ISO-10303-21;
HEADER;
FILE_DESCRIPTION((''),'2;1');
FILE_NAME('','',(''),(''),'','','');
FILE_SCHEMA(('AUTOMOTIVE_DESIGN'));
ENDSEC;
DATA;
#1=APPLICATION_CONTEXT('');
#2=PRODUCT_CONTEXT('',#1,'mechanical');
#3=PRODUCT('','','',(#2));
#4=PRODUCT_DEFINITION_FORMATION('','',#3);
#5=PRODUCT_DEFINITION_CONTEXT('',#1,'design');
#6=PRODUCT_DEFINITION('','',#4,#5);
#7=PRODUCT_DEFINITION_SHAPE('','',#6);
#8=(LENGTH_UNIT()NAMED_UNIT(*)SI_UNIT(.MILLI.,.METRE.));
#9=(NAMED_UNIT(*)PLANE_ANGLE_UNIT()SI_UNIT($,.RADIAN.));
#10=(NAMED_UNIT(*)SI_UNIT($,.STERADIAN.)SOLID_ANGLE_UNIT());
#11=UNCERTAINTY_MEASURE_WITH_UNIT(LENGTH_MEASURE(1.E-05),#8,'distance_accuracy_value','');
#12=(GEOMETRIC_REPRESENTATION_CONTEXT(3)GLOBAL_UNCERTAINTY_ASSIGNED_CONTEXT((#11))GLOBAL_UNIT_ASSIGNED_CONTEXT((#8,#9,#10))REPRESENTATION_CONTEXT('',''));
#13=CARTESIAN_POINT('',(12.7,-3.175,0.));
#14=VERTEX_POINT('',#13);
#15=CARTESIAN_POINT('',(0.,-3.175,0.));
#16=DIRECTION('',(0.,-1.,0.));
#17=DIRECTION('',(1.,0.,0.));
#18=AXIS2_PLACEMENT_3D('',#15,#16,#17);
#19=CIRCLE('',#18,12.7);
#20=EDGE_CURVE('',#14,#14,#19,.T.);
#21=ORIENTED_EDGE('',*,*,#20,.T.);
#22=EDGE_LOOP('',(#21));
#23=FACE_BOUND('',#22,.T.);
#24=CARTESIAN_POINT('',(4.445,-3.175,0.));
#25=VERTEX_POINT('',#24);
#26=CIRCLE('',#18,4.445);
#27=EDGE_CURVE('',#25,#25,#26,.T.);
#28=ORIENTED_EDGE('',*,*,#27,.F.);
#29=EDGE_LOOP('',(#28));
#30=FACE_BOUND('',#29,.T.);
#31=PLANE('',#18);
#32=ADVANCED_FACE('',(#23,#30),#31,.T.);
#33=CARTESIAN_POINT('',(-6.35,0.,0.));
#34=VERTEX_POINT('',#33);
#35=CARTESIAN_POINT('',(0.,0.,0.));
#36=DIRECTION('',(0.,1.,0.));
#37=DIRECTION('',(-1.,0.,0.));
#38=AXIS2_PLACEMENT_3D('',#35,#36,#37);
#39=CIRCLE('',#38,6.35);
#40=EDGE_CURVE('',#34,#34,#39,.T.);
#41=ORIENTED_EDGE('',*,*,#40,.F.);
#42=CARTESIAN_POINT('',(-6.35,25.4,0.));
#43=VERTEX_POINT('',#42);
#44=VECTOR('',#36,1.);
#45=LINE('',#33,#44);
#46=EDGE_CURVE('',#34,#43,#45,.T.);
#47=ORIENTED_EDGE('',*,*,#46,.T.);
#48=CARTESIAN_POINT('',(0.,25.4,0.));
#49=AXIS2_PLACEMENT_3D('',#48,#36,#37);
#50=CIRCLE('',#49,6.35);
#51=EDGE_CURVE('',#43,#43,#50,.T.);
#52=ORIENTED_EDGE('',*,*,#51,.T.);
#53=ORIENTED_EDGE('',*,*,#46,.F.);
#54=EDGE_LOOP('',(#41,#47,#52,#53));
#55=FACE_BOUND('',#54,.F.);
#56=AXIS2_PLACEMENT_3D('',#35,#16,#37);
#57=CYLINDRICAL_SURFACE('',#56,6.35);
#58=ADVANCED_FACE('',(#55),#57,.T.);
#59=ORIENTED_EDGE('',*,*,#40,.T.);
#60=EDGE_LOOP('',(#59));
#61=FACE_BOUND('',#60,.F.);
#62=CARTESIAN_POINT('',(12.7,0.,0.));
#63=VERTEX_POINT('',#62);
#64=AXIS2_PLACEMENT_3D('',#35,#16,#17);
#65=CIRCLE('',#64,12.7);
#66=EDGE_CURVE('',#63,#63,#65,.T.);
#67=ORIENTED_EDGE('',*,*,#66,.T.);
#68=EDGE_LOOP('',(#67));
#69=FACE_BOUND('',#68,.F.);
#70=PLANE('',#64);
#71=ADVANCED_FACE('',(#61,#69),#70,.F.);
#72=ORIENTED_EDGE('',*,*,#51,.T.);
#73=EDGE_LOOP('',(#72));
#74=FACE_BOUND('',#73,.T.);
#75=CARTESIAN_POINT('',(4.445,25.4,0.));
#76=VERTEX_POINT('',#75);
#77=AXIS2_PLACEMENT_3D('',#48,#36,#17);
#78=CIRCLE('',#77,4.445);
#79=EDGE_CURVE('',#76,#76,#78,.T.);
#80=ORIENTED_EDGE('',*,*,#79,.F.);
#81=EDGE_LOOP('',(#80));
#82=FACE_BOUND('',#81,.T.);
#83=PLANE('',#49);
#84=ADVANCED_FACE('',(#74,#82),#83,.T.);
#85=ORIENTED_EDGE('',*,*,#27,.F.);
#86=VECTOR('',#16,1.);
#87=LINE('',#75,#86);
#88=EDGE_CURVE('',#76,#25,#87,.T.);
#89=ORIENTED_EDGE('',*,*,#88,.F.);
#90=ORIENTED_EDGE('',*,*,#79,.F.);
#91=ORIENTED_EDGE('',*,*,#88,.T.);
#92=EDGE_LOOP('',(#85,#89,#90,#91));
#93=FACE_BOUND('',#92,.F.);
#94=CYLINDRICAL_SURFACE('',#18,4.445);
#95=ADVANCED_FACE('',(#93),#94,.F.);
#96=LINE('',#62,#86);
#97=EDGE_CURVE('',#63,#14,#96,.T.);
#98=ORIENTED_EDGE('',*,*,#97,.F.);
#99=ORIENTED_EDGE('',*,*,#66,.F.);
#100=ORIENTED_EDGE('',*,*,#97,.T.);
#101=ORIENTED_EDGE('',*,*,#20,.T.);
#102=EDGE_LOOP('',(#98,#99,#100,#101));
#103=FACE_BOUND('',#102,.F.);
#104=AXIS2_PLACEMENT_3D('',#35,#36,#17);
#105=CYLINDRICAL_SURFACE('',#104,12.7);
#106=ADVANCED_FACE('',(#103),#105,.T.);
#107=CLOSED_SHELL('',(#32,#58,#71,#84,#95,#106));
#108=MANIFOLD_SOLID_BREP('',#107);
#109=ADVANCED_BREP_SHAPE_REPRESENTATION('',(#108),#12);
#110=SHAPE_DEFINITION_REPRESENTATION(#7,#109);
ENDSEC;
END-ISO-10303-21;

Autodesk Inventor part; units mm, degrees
ref_plane "YZ Plane" through (0, 0, 0) normal (1, 0, 0) x (0, 1, 0)
ref_plane "XZ Plane" through (0, 0, 0) normal (0, 1, 0) x (-1, 0, 0)
ref_plane "XY Plane" through (0, 0, 0) normal (0, 0, 1) x (1, 0, 0)
sketch "Sketch1" plane through (0, 0, 0) normal (0, 1, 0) x (-1, 0, 0)
  circle A0 centre (0, 0) radius 6.35
  dimension "d0" = 12.7
extrude "Extrusion1" add sketch "Sketch1" along normal blind 25.4
sketch "Sketch2" plane through (0, 25.4, 0) normal (0, 1, 0) x (1, 0, 0)
  circle A0 centre (0, 0) radius 4.445
  dimension "d3" = 8.89
extrude "Extrusion2" cut sketch "Sketch2" against normal blind 28.575
sketch "Sketch3" plane through (0, 0, 0) normal (0, -1, 0) x (1, 0, 0)
  circle A0 centre (0, 0) radius 12.7
  dimension "d6" = 25.4
extrude "Extrusion3" add sketch "Sketch3" along normal blind 3.175
sketch "Sketch4" plane through (0, -3.175, 0) normal (0, -1, 0) x (1, 0, 0)
  circle A0 centre (0, 0) radius 4.445
  dimension "d9" = 8.89
extrude "Extrusion4" cut sketch "Sketch4" against normal blind 3.175
properties part number "Nut"
